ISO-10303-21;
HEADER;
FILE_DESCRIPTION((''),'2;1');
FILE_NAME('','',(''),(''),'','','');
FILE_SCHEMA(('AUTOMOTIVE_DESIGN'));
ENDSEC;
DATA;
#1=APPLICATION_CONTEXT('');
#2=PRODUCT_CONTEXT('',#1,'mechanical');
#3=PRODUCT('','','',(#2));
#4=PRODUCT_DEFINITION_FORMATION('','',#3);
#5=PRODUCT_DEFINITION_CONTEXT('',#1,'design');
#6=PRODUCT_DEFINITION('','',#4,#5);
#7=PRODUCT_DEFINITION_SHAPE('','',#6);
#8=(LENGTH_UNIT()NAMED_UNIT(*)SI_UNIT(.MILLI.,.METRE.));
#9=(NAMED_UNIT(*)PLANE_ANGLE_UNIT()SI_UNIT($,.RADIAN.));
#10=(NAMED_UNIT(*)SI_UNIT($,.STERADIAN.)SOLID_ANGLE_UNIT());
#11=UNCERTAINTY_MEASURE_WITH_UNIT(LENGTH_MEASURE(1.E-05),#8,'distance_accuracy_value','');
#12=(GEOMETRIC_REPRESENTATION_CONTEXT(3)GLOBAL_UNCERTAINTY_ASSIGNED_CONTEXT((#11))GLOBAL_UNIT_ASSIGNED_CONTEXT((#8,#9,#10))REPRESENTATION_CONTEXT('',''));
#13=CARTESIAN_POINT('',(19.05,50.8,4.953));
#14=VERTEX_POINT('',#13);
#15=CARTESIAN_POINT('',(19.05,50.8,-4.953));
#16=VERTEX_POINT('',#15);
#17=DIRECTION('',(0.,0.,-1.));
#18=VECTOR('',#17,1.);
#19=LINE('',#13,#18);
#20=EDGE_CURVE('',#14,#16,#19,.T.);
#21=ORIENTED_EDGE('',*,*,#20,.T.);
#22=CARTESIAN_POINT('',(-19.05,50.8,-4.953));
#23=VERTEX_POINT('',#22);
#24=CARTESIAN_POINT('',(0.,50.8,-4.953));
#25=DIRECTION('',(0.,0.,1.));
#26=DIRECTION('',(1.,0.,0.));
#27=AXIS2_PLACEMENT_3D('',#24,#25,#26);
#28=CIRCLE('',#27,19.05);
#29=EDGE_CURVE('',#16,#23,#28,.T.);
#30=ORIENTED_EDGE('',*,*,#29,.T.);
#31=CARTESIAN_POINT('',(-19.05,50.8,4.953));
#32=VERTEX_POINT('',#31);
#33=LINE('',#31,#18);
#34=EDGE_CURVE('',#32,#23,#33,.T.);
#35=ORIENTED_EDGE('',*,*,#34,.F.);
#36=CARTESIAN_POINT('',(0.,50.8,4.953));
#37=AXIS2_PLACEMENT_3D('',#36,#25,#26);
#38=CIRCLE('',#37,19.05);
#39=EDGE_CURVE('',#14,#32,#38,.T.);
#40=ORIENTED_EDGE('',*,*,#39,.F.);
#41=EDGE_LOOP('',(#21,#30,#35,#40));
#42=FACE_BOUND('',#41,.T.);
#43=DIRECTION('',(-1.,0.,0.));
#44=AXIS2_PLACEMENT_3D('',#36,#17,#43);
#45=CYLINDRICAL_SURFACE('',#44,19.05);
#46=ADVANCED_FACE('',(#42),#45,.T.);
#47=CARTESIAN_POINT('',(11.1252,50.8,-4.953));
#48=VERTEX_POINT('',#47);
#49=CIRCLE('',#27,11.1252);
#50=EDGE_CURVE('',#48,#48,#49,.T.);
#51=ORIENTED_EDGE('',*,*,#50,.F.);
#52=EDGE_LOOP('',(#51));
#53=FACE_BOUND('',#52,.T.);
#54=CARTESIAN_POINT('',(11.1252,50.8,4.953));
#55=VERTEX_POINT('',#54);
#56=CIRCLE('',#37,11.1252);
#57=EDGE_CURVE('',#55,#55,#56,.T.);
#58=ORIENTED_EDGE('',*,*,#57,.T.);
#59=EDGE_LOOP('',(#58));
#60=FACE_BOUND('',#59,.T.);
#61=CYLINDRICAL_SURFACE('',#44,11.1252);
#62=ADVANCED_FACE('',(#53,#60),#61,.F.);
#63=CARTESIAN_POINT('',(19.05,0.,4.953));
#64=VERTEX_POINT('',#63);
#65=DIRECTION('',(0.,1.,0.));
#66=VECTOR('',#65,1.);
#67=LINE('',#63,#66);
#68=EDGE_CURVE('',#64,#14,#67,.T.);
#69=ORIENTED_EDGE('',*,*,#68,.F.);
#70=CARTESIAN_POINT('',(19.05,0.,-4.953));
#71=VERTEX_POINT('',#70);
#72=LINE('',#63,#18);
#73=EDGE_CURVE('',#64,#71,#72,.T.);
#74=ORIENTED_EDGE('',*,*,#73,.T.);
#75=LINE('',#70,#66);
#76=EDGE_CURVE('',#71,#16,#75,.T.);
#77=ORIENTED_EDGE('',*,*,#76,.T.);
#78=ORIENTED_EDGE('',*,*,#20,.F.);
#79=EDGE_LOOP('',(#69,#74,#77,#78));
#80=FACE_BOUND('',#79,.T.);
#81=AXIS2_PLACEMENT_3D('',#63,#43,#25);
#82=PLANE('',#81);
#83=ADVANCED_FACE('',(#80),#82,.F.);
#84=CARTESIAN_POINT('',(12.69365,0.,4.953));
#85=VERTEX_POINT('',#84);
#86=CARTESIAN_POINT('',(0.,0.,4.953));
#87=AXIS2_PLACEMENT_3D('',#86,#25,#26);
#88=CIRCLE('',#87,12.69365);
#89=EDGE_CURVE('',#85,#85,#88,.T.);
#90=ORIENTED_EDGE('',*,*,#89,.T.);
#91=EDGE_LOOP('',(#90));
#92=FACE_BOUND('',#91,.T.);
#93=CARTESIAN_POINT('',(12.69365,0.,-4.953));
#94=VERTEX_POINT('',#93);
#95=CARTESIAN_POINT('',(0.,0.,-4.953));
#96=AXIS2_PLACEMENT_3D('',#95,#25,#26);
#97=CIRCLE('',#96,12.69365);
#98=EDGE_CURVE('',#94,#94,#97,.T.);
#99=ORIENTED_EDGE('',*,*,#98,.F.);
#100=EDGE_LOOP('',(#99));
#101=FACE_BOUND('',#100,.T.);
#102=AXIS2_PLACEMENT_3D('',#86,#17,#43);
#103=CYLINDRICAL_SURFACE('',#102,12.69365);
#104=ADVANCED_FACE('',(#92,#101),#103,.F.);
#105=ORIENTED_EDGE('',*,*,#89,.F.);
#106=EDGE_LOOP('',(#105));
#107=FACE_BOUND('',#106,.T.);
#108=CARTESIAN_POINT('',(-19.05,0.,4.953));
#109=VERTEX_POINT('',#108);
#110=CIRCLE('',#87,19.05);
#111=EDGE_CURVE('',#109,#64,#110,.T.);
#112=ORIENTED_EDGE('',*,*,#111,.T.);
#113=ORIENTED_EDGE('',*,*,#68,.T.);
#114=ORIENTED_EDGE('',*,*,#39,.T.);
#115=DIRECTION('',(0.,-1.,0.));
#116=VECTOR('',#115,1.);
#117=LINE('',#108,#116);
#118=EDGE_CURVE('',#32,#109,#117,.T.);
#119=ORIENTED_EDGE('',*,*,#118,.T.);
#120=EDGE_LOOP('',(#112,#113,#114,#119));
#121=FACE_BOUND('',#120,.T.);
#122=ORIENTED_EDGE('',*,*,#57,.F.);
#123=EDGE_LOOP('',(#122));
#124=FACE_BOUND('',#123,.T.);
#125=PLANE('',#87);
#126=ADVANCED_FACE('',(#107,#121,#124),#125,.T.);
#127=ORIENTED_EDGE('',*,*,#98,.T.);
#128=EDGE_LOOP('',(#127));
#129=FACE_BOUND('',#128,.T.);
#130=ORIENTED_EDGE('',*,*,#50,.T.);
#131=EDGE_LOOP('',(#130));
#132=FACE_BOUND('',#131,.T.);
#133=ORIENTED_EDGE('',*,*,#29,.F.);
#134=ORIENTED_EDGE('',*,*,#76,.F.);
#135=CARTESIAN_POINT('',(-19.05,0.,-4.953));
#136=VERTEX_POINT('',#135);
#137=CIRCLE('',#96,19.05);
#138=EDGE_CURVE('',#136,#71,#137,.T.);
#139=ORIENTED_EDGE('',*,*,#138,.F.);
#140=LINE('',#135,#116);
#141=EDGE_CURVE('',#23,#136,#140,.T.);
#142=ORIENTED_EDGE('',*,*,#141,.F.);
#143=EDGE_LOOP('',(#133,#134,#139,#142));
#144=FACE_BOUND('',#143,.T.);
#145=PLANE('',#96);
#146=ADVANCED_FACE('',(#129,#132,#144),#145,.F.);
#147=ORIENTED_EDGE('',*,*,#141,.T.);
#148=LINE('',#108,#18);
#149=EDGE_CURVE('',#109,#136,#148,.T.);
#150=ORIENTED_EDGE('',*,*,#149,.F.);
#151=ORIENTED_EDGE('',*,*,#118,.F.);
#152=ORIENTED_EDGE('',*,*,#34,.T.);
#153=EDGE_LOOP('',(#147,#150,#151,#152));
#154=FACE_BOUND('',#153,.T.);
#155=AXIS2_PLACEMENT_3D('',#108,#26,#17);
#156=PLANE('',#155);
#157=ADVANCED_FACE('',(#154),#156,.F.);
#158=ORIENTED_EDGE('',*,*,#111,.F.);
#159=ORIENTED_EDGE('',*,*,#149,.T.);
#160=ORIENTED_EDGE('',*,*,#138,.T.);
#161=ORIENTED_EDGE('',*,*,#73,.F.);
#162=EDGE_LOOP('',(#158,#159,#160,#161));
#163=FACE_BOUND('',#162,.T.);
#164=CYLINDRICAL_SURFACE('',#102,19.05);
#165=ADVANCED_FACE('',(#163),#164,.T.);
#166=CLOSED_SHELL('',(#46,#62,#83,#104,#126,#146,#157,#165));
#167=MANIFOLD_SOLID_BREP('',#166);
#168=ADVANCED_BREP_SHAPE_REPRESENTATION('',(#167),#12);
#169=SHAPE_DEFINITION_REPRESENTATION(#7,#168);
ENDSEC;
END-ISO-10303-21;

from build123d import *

# Parameters (mm, degrees)
SKETCH2_R           = 11.1252
SKETCH2_R_2         = 12.69365
BOSS_EXTRUDE1_DEPTH = 4.953


with BuildPart() as part:
    # Sketch2 → Boss-Extrude1 (new, symmetric)
    with BuildSketch(Plane.XY):
        with BuildLine():
            Line((-19.05, 0), (-19.05, 50.8))
            ThreePointArc((-19.05, 50.8), (0, 69.85), (19.05, 50.8))
            Line((19.05, 50.8), (19.05, 0))
            ThreePointArc((19.05, 0), (0, -19.05), (-19.05, 0))
        make_face()
        with Locations((0, 50.8)):
            Circle(SKETCH2_R, mode=Mode.SUBTRACT)
        Circle(SKETCH2_R_2, mode=Mode.SUBTRACT)
    extrude(amount=BOSS_EXTRUDE1_DEPTH, both=True)


solid = part.part
